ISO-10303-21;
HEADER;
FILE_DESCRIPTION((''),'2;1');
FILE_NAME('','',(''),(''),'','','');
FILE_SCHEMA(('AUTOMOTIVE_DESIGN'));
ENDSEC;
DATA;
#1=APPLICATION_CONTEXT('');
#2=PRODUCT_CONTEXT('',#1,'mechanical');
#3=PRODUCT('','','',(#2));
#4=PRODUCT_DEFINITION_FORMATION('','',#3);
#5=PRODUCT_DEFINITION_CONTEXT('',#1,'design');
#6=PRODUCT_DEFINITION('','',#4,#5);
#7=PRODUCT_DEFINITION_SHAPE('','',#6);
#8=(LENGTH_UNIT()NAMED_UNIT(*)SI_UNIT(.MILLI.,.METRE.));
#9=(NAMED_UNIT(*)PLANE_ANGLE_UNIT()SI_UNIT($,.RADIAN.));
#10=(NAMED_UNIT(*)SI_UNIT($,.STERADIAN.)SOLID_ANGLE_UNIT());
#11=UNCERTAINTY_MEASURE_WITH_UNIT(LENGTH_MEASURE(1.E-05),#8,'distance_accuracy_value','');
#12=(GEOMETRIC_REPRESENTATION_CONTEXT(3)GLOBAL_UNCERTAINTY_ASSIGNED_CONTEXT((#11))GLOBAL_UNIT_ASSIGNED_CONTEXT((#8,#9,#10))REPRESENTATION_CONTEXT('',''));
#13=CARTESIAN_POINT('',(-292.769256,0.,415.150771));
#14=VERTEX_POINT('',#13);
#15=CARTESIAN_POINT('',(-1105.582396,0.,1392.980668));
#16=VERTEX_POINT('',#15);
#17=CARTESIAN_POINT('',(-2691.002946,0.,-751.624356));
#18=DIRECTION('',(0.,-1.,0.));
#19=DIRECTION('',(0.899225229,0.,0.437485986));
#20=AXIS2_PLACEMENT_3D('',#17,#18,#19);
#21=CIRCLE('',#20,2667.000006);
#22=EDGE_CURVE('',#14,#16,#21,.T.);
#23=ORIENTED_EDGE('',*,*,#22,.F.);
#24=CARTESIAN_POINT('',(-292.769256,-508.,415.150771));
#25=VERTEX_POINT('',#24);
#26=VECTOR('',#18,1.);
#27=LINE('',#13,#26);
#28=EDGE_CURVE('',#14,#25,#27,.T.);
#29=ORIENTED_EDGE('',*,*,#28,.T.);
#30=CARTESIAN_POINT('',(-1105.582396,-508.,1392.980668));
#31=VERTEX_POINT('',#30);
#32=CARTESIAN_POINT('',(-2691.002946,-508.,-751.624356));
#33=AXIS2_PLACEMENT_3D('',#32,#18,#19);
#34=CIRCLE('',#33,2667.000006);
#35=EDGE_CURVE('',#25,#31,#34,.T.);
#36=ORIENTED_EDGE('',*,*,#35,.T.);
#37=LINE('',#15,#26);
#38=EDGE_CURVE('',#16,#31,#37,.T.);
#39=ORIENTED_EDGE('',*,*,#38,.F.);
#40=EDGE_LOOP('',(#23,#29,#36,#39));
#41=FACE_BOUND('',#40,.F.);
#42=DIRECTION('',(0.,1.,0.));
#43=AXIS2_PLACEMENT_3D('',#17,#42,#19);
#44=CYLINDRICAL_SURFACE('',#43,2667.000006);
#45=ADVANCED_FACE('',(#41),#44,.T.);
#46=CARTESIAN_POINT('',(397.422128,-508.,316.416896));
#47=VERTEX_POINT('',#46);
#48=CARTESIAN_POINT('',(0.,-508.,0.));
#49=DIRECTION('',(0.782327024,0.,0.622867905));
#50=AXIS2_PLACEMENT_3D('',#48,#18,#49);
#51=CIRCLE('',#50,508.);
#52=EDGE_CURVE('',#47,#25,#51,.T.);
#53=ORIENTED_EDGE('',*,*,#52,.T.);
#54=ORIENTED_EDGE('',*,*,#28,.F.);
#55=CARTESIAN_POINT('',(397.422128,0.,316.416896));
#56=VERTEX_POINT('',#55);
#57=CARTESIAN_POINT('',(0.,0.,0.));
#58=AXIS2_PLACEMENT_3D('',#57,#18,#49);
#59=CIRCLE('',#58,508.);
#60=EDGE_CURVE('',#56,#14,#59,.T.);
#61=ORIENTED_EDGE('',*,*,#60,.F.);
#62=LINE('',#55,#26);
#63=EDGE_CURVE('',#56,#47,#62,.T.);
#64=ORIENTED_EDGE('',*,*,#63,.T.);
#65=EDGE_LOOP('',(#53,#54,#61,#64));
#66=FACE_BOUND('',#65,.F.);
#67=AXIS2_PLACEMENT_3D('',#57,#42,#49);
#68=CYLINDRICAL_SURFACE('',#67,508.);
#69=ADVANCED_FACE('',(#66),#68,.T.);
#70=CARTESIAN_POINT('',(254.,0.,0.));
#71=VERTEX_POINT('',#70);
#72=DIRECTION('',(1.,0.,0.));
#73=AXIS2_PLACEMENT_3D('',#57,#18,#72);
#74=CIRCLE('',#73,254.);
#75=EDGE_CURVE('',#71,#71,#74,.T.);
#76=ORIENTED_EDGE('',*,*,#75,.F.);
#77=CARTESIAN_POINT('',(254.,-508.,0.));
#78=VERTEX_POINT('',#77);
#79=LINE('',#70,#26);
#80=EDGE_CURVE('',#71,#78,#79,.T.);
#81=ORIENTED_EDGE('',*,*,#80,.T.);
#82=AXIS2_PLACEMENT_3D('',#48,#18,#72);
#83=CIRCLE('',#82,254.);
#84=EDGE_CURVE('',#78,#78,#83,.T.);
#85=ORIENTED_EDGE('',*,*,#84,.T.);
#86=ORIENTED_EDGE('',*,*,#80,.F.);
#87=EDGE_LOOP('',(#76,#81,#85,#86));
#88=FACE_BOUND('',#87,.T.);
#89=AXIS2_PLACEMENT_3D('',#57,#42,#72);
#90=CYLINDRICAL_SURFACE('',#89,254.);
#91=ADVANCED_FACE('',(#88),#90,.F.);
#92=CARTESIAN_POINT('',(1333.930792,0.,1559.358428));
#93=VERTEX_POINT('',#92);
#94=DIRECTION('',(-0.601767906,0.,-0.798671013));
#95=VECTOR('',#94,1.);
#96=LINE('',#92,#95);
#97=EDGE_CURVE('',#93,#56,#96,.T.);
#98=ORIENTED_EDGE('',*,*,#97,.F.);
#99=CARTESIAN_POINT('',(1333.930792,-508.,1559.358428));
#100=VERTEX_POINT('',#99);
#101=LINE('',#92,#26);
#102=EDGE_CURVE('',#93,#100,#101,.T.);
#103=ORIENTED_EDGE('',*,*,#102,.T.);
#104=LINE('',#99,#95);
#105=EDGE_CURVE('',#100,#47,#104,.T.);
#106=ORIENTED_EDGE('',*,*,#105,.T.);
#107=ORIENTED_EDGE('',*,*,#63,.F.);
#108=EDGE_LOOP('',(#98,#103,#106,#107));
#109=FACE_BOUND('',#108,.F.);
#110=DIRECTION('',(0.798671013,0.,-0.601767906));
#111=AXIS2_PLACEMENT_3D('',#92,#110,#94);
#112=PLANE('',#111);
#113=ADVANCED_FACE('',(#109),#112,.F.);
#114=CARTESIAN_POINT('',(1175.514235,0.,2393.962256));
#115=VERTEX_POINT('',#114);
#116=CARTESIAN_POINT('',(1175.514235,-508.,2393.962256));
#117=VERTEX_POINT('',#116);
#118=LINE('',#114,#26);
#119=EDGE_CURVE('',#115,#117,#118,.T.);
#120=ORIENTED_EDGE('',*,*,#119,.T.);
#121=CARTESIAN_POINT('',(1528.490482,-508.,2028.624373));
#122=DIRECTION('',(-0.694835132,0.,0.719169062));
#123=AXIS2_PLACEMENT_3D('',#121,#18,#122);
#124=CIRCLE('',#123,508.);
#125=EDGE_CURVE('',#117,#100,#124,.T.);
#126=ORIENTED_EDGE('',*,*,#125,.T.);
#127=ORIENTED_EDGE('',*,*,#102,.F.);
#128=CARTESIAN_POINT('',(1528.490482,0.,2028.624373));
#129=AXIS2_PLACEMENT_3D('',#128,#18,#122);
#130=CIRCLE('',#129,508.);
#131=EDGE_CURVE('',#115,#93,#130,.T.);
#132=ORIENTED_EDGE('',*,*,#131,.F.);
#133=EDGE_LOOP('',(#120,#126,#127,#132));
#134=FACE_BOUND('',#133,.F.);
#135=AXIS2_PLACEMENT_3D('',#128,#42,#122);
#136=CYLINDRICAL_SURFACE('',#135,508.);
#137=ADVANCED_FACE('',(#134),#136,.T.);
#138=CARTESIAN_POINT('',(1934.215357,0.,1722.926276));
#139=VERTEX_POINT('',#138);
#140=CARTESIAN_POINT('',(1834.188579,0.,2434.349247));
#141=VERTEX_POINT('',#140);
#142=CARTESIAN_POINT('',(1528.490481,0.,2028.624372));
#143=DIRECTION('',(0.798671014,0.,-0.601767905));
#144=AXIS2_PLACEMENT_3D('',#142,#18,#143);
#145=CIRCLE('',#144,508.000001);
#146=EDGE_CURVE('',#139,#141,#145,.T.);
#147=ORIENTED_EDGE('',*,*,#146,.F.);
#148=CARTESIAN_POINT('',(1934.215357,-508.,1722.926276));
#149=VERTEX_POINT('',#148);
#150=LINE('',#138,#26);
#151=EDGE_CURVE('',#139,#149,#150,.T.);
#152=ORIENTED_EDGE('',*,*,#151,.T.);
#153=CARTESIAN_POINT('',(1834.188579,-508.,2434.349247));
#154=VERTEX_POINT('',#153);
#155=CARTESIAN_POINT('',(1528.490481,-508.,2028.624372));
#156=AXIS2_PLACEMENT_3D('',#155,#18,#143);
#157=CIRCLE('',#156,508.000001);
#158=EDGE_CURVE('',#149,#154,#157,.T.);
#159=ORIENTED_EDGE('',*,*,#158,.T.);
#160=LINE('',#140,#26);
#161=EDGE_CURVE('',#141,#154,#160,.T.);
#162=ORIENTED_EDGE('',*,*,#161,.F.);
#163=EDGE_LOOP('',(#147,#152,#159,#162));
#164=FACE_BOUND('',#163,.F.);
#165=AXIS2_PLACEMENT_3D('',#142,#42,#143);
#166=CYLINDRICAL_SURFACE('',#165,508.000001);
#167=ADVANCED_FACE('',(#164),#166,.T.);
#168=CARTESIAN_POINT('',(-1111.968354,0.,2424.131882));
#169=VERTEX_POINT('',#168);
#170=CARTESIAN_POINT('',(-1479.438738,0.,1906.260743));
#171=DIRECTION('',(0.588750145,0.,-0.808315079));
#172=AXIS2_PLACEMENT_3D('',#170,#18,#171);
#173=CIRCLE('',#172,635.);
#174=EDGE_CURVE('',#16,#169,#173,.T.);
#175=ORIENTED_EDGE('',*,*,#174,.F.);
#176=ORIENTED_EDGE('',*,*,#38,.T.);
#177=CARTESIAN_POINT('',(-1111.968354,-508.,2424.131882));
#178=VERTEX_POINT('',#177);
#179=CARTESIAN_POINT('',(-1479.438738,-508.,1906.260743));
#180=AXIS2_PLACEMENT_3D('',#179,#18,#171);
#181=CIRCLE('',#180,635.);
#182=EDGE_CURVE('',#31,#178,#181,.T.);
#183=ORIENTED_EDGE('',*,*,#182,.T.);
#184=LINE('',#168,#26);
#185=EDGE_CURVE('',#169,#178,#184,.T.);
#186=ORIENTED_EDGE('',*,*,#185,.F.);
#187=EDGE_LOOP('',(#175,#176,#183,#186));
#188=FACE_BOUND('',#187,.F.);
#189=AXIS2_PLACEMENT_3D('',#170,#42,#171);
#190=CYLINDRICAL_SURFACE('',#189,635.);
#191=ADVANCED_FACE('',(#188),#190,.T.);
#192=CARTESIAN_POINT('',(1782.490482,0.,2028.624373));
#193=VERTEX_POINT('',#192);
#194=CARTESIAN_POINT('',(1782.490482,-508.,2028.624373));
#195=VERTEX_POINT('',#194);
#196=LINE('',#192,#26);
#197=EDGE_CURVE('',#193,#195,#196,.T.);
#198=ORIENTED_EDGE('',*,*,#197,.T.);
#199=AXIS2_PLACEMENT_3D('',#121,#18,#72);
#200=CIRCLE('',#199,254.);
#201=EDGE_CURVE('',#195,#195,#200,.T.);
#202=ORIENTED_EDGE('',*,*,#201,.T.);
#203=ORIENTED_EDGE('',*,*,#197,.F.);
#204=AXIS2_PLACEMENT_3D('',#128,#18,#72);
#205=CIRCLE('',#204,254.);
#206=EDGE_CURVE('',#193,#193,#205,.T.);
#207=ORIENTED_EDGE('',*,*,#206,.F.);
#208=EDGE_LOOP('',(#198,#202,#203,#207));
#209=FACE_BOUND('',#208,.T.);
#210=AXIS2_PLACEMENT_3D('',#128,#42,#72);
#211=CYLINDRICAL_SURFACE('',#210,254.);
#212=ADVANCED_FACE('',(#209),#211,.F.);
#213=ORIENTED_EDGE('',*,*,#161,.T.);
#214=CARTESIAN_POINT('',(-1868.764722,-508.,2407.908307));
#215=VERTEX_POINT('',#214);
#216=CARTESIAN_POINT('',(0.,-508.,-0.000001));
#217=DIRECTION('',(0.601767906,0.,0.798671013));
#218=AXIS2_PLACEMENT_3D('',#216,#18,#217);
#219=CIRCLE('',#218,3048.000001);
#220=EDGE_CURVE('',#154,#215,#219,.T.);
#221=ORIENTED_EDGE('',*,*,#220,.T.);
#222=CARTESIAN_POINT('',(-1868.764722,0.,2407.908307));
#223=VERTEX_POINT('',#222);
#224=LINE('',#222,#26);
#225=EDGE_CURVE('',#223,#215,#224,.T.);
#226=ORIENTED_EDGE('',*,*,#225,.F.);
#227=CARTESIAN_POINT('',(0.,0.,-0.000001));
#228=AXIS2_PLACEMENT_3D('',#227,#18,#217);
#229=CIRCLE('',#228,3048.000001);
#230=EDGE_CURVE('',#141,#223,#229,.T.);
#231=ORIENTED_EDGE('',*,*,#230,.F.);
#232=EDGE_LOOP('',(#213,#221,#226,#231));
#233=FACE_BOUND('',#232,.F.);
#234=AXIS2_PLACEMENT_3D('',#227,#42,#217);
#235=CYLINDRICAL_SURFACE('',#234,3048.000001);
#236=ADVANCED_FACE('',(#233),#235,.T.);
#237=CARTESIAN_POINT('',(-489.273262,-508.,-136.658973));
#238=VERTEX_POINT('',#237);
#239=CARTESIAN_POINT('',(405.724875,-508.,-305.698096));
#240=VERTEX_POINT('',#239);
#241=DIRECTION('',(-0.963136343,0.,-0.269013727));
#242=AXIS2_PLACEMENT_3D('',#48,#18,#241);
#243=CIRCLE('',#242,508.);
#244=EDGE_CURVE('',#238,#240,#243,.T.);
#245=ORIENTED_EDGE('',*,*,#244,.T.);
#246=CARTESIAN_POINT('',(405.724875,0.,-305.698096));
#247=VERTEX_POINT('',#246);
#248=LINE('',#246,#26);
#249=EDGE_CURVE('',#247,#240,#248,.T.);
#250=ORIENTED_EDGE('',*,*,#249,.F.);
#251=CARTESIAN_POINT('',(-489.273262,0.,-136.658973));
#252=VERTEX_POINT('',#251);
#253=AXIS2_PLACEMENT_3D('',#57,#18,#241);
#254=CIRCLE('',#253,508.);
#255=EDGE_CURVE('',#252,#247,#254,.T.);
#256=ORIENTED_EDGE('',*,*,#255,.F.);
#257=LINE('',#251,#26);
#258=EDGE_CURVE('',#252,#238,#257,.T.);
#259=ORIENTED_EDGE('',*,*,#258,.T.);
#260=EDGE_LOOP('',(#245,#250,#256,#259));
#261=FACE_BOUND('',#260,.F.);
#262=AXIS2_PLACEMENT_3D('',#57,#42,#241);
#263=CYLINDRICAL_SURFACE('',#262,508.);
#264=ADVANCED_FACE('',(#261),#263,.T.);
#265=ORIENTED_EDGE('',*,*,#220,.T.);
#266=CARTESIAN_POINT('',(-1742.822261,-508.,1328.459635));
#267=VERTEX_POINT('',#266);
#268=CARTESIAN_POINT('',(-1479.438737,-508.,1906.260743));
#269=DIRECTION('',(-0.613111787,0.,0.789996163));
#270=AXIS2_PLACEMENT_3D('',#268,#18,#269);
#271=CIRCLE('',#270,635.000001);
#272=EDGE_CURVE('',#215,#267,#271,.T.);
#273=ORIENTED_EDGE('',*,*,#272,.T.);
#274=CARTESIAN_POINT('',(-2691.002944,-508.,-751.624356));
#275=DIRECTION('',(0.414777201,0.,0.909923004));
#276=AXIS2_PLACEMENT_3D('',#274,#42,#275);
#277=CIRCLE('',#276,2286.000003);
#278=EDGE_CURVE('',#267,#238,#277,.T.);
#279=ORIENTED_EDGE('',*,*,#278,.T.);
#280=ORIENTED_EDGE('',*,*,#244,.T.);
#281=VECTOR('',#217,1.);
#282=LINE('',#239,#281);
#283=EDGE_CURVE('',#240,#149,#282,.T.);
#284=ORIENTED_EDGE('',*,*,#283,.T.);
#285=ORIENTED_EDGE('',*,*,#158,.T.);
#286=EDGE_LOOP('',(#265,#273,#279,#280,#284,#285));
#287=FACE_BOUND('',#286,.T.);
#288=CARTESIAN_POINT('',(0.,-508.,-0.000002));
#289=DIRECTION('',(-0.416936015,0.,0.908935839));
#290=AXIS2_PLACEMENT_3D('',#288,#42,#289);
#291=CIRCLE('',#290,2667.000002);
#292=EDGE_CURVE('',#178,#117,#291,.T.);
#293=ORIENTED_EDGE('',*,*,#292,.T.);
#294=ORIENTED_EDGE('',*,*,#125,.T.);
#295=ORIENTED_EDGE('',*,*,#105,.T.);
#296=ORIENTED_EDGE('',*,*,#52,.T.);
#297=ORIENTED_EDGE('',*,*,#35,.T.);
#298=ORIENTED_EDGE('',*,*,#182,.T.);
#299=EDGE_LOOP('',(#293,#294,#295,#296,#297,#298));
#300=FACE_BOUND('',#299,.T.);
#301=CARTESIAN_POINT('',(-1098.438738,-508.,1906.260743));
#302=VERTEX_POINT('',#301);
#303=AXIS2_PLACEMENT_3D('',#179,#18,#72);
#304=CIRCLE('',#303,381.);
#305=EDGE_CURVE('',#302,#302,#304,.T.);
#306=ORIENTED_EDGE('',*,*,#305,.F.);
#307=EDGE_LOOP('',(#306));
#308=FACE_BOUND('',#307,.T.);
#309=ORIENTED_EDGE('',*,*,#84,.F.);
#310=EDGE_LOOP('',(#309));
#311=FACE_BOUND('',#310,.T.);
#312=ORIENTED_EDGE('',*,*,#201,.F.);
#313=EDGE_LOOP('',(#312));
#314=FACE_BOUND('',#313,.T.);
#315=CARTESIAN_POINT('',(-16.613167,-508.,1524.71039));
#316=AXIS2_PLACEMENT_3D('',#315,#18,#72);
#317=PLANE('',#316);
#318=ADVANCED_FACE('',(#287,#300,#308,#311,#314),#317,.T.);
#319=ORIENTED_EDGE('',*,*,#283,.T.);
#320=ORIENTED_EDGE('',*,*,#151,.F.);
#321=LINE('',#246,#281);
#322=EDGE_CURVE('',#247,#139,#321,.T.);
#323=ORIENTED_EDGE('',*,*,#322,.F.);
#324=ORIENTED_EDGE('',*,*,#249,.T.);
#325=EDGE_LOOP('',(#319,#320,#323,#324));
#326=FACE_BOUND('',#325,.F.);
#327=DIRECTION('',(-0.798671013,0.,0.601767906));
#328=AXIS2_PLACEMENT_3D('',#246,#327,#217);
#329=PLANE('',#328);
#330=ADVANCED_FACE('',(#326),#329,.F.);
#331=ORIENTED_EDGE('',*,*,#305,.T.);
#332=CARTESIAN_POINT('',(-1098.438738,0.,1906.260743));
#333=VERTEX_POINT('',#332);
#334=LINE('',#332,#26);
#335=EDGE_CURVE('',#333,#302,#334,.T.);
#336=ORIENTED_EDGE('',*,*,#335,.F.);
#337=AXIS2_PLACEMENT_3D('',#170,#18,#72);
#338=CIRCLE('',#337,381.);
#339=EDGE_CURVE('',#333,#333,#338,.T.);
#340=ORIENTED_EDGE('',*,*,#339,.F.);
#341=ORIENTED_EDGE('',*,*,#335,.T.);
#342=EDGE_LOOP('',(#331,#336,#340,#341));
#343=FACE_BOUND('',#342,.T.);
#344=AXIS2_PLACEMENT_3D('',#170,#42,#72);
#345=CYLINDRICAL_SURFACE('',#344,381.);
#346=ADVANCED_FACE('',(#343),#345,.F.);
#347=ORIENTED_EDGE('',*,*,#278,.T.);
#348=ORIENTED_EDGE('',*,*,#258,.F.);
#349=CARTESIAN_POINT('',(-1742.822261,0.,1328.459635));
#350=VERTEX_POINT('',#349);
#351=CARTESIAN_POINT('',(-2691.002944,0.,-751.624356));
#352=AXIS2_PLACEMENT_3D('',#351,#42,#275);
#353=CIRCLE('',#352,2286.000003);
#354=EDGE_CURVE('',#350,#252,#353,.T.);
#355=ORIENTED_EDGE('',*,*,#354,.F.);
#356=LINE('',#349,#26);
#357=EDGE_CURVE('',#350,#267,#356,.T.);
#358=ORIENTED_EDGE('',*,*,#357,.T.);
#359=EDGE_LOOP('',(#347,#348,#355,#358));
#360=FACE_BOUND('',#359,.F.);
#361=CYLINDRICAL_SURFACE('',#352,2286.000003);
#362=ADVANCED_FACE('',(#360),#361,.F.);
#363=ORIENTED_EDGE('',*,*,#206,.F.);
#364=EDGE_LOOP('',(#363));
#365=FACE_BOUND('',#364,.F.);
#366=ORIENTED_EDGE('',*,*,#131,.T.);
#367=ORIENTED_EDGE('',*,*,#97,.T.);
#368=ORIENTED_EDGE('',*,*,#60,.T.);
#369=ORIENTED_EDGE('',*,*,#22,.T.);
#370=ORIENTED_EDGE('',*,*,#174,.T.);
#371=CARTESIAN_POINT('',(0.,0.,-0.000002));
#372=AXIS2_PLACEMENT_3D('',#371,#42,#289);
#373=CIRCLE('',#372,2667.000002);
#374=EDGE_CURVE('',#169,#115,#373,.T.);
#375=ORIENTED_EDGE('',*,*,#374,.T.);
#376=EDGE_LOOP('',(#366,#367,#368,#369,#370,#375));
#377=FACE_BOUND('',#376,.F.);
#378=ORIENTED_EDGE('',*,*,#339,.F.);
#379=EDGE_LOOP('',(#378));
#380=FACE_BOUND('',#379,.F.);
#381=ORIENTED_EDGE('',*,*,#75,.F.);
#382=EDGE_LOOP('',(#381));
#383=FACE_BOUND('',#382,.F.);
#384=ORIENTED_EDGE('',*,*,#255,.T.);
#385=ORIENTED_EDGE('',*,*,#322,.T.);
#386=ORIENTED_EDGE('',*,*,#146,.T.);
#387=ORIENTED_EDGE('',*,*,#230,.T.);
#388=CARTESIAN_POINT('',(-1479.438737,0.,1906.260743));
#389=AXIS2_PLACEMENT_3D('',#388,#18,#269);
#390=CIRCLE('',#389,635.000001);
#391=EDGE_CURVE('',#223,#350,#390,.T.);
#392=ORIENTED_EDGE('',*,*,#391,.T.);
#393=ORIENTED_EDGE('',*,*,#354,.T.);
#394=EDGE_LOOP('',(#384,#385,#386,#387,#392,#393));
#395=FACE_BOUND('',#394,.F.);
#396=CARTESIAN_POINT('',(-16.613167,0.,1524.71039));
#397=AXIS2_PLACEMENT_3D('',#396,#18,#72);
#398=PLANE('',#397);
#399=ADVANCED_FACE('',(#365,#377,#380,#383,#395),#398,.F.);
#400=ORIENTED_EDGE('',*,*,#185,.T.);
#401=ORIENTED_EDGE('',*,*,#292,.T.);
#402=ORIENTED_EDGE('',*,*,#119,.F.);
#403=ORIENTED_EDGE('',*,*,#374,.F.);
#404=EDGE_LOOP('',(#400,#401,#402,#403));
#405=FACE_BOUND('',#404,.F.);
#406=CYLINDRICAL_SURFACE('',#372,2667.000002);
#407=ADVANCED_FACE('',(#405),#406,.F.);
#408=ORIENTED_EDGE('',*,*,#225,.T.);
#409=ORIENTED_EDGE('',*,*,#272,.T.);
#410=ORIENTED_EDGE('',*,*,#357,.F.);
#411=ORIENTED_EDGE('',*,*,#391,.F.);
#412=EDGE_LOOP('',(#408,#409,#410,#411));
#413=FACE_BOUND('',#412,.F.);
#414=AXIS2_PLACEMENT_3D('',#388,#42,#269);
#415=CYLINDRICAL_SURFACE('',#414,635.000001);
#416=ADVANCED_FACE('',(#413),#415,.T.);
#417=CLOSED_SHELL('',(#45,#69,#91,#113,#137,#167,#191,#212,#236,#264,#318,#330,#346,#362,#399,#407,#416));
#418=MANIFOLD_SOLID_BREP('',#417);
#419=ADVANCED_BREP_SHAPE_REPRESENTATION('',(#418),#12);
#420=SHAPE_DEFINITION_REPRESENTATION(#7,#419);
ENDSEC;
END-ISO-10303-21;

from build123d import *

# Parameters (mm, degrees)
F0_R     = 254
F0_R_2   = 381
F1_DEPTH = 508


with BuildPart() as f1:
    # F0 (on Front) → F1 (new body)
    with BuildSketch(Plane.XZ):
        with BuildLine():
            ThreePointArc((-1742.822261, 1328.459635), (-954.015045, 734.534806), (-489.273262, -136.658973))
            ThreePointArc((-489.273262, -136.658973), (-94.279582, -499.174679), (405.724875, -305.698096))
            Line((405.724875, -305.698096), (1934.215357, 1722.926276))
            ThreePointArc((1934.215357, 1722.926276), (2031.542489, 2099.353986), (1834.188579, 2434.349247))
            ThreePointArc((1834.188579, 2434.349247), (-21.763691, 3047.922299), (-1868.764722, 2407.908307))
            ThreePointArc((-1868.764722, 2407.908307), (-2110.160375, 1832.672589), (-1742.822261, 1328.459635))
        make_face()
        Circle(F0_R, mode=Mode.SUBTRACT)
        with Locations((-1479.438738, 1906.260743)):
            Circle(F0_R_2, mode=Mode.SUBTRACT)
        with BuildLine():
            Line((1333.930792, 1559.358428), (397.422128, 316.416896))
            ThreePointArc((397.422128, 316.416896), (71.938518, 502.880552), (-292.769256, 415.150771))
            ThreePointArc((-292.769256, 415.150771), (-640.048753, 953.214618), (-1105.582396, 1392.980668))
            ThreePointArc((-1105.582396, 1392.980668), (-844.450915, 1910.193246), (-1111.968354, 2424.131882))
            ThreePointArc((-1111.968354, 2424.131882), (35.172025, 2666.768068), (1175.514235, 2393.962256))
            ThreePointArc((1175.514235, 2393.962256), (1029.401524, 1933.892056), (1333.930792, 1559.358428))
        make_face(mode=Mode.SUBTRACT)
        with Locations((1528.490482, 2028.624373)):
            Circle(F0_R, mode=Mode.SUBTRACT)
    extrude(amount=F1_DEPTH)


solid = f1.part
